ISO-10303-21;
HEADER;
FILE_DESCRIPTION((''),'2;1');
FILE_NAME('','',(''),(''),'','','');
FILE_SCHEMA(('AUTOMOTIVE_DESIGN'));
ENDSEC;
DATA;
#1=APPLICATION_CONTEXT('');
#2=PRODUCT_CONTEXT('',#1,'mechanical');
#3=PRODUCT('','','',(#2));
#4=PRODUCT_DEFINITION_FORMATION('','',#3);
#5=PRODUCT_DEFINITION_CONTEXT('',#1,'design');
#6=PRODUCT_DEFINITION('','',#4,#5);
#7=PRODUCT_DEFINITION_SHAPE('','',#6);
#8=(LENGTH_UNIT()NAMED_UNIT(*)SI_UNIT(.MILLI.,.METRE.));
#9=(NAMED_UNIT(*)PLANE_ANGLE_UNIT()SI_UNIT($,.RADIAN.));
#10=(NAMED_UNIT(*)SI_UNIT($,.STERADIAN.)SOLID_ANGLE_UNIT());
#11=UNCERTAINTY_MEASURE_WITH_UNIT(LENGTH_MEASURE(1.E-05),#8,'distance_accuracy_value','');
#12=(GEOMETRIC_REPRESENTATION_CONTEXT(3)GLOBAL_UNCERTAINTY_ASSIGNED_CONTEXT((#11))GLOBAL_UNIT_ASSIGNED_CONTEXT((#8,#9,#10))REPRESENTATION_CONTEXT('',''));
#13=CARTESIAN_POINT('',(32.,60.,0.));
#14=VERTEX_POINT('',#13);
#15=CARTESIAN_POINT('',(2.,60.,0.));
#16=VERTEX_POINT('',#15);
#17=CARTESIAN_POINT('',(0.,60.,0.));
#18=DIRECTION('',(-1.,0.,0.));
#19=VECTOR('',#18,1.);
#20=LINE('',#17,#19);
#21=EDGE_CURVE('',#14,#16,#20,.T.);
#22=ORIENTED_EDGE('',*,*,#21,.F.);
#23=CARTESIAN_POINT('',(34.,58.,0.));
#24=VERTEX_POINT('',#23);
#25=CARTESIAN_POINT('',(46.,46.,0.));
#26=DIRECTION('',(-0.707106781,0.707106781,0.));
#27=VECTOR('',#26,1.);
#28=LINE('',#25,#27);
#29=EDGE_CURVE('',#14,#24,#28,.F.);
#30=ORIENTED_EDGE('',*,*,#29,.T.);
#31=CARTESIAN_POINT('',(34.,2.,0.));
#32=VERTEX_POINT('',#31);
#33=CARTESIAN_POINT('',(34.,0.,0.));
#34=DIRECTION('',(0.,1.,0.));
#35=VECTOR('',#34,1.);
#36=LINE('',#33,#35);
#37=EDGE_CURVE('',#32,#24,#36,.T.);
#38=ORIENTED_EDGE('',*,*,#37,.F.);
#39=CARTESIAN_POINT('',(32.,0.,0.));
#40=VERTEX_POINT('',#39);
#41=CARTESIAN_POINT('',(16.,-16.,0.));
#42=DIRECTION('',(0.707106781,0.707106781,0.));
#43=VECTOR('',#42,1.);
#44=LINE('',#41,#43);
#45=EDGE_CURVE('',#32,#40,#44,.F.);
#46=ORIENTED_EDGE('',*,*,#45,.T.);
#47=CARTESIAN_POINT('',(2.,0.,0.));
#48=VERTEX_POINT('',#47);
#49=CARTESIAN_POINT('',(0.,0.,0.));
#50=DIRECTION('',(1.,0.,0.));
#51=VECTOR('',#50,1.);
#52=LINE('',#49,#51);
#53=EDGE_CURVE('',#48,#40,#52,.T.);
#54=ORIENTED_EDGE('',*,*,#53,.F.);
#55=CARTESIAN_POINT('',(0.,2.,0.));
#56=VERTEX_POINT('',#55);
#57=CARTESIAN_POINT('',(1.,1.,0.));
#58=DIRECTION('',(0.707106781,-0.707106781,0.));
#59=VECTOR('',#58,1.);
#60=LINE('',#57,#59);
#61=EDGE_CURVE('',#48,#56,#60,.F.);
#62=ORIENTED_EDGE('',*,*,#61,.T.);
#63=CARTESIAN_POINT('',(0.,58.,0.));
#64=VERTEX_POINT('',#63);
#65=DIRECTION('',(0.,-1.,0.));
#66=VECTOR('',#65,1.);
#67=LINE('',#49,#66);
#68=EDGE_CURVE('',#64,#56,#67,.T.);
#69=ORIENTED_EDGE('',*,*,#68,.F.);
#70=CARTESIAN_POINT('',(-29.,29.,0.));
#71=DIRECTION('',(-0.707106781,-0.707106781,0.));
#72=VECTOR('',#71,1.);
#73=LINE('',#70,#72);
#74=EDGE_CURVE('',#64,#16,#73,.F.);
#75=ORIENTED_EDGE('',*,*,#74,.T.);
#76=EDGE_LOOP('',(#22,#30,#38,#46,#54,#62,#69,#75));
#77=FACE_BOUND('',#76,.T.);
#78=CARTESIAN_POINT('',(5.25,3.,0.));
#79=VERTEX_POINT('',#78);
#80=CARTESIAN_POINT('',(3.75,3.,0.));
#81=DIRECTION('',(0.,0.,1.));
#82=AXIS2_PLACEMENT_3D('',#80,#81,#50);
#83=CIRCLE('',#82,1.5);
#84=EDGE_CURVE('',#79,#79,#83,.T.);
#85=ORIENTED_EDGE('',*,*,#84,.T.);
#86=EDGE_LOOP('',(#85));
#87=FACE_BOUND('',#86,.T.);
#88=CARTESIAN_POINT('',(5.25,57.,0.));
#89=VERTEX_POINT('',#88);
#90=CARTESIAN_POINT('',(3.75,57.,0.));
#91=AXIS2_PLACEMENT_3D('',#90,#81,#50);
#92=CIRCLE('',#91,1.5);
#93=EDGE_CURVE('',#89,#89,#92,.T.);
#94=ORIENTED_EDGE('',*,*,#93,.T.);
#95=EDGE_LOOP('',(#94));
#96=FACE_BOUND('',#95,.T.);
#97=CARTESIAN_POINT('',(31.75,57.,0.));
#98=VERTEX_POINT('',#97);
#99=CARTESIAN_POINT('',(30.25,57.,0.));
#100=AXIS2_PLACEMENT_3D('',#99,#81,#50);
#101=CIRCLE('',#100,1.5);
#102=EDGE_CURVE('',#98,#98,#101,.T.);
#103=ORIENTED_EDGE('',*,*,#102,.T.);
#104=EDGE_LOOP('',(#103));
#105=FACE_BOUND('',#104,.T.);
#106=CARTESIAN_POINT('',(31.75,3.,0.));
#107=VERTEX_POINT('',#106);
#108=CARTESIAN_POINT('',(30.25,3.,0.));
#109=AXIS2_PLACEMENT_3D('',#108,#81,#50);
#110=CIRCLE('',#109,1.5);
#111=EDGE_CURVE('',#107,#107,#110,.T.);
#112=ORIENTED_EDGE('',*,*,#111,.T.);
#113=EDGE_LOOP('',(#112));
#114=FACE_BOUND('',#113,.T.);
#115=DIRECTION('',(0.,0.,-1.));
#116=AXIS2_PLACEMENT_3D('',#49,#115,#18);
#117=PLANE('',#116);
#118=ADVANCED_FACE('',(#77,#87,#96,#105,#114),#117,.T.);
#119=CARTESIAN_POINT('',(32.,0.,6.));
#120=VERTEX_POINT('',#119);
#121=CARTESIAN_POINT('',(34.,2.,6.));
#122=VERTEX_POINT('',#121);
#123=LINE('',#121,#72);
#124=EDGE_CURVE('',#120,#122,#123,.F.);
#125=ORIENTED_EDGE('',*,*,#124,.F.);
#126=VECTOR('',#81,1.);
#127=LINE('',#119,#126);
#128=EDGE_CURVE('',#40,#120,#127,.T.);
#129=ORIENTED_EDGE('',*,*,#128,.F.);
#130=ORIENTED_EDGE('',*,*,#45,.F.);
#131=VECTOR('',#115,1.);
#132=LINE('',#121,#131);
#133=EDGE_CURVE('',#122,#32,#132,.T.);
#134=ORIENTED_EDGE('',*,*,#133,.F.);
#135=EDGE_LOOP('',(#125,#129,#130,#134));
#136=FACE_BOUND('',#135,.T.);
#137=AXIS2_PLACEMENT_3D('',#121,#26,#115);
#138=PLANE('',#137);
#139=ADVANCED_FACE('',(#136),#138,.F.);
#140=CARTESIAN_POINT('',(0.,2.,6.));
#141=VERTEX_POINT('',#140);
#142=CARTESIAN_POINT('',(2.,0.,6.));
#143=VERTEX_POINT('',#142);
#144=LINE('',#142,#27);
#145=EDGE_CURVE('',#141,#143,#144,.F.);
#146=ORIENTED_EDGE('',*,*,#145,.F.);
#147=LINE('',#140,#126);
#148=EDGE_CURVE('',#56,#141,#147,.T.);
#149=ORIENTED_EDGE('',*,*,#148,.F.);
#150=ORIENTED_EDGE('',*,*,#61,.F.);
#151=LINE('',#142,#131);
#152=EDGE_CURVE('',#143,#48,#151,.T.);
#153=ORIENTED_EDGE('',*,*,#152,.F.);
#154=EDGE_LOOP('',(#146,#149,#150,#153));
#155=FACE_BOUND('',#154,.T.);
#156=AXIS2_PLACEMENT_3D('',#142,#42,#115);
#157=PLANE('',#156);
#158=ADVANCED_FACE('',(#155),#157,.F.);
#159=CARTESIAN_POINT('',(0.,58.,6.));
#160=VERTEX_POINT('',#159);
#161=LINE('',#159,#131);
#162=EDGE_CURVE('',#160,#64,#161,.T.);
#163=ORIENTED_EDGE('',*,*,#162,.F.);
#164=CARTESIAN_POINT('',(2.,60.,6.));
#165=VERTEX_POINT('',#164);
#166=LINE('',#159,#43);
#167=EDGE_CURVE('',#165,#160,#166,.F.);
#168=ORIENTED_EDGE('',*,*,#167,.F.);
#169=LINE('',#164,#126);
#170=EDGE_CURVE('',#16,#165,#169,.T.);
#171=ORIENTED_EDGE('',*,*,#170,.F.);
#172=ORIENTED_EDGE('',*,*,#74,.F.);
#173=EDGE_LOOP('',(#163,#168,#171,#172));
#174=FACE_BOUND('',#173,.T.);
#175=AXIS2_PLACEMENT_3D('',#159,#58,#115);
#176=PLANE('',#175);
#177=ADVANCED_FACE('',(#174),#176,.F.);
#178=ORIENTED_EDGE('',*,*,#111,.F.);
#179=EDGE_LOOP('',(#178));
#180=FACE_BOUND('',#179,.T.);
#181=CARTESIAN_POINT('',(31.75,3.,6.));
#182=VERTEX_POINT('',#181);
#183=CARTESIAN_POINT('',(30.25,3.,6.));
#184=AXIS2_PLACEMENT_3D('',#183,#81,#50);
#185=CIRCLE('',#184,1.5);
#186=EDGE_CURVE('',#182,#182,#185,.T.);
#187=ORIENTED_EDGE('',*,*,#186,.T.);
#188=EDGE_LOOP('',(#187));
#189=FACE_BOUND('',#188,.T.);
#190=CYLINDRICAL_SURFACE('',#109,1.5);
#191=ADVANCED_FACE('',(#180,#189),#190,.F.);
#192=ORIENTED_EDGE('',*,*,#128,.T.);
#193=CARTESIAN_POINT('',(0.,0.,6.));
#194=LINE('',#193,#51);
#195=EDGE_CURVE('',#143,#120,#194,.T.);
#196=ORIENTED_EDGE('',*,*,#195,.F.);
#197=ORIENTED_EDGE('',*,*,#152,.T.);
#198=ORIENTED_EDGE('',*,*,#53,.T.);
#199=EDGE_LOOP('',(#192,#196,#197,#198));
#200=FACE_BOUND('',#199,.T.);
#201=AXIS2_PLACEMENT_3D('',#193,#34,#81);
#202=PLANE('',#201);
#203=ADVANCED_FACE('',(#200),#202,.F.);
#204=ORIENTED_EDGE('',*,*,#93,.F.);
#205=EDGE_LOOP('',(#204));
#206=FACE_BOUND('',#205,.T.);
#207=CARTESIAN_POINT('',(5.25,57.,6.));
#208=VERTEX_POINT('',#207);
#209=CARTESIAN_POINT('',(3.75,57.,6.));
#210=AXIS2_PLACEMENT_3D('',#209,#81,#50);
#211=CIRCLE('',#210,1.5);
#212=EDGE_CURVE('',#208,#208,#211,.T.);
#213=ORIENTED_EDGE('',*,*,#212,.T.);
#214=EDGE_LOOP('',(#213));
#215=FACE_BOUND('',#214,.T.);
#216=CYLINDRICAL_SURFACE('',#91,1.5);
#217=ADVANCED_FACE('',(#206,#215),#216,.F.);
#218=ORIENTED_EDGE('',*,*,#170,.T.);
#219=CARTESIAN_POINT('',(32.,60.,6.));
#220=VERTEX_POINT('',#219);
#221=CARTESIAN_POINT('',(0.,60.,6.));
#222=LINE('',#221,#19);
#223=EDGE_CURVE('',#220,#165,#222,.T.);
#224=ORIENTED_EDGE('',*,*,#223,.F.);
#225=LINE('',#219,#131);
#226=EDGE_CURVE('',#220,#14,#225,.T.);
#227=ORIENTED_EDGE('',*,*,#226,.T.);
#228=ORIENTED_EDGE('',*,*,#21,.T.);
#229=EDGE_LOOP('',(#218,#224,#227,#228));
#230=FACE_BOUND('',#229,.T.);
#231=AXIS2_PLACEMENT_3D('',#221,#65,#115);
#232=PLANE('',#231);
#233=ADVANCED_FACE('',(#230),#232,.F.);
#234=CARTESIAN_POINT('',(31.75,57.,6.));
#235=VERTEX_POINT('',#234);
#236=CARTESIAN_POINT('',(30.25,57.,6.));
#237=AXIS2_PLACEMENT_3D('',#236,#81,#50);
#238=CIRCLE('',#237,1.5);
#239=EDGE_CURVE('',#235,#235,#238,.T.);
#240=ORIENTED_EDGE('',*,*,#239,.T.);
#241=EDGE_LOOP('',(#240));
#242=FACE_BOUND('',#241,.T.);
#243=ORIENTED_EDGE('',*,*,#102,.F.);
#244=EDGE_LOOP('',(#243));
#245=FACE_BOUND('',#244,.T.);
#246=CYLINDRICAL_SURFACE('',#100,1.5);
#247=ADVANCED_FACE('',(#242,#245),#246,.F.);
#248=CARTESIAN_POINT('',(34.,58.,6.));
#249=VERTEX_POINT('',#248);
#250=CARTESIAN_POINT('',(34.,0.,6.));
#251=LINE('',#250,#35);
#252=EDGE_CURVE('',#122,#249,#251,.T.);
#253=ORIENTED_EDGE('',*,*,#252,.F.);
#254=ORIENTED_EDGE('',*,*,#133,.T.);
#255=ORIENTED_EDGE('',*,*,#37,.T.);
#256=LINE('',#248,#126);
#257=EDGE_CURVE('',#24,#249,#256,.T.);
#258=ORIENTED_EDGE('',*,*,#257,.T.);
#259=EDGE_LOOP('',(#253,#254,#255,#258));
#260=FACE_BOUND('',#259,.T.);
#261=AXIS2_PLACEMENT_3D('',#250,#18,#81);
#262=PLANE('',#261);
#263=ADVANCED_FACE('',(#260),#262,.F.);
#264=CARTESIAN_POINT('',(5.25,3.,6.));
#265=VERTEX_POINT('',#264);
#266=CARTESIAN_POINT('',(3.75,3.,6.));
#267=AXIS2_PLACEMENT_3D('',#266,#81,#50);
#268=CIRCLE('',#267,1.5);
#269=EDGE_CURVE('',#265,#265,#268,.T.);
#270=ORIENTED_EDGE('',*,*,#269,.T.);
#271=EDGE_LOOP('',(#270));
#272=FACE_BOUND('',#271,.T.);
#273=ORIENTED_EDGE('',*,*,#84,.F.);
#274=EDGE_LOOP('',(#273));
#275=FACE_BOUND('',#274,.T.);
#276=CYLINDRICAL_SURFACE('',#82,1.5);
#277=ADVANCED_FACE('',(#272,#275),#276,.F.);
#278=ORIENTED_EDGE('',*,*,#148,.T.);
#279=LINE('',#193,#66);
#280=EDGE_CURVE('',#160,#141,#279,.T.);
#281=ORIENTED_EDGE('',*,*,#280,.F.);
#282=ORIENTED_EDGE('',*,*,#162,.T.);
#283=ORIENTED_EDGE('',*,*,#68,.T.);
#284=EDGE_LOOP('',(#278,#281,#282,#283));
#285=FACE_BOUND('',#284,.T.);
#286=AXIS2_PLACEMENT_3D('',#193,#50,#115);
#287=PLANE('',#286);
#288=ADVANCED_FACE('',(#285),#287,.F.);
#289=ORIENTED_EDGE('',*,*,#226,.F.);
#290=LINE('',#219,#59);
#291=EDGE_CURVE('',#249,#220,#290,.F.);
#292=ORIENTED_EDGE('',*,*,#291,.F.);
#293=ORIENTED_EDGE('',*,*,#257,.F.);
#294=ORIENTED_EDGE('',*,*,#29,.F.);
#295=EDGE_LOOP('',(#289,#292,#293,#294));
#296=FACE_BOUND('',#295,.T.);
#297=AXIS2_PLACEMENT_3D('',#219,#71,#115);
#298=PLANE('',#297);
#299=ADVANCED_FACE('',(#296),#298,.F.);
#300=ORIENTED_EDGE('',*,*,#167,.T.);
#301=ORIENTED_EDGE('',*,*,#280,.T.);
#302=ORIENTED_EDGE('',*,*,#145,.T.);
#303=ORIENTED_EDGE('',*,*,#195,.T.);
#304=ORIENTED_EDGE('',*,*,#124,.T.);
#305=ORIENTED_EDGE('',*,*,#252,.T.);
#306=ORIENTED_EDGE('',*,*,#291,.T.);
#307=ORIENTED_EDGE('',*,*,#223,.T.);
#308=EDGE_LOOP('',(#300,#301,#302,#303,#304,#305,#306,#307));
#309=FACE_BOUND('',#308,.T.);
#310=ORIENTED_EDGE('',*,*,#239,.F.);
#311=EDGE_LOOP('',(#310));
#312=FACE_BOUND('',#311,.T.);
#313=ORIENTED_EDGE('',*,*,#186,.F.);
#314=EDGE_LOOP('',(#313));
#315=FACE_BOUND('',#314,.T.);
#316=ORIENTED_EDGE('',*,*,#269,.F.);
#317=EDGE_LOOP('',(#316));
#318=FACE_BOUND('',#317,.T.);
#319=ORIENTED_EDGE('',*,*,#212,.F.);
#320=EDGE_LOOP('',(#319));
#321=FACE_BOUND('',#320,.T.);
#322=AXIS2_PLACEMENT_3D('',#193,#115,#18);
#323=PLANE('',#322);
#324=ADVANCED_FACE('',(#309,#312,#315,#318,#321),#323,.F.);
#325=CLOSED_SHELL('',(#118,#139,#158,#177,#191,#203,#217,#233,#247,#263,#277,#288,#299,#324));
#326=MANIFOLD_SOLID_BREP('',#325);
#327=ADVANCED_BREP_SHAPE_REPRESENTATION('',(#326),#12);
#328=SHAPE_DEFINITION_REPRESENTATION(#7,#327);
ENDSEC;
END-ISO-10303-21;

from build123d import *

# Parameters (mm, degrees)
SKETCH2_W           = 34
SKETCH2_H           = 60
BOSS_EXTRUDE1_DEPTH = 6
SKETCH3_R           = 1.5
CUT_EXTRUDE1_DEPTH  = 70.2242732
CHAMFER1_SIZE       = 2


with BuildPart() as part:
    # Sketch2 → Boss-Extrude1 (new body)
    with BuildSketch(Plane.XY):
        with Locations((17, 30)):
            Rectangle(SKETCH2_W, SKETCH2_H)
    extrude(amount=BOSS_EXTRUDE1_DEPTH)

    # Sketch3 → Cut-Extrude1 (cut, through all)
    with BuildSketch(Plane.XY.offset(6)):
        with Locations((3.75, 57)):
            Circle(SKETCH3_R)
        with Locations((30.25, 57)):
            Circle(SKETCH3_R)
        with Locations((3.75, 3)):
            Circle(SKETCH3_R)
        with Locations((30.25, 3)):
            Circle(SKETCH3_R)
    extrude(amount=-CUT_EXTRUDE1_DEPTH, mode=Mode.SUBTRACT)

    # Chamfer1
    chamfer1_edges = [part.edges().sort_by_distance(p)[0] for p in [
        (0, 60, 3),
        (34, 60, 3),
        (34, 0, 3),
        (0, 0, 3),
    ]]
    chamfer(chamfer1_edges, length=CHAMFER1_SIZE)


solid = part.part
